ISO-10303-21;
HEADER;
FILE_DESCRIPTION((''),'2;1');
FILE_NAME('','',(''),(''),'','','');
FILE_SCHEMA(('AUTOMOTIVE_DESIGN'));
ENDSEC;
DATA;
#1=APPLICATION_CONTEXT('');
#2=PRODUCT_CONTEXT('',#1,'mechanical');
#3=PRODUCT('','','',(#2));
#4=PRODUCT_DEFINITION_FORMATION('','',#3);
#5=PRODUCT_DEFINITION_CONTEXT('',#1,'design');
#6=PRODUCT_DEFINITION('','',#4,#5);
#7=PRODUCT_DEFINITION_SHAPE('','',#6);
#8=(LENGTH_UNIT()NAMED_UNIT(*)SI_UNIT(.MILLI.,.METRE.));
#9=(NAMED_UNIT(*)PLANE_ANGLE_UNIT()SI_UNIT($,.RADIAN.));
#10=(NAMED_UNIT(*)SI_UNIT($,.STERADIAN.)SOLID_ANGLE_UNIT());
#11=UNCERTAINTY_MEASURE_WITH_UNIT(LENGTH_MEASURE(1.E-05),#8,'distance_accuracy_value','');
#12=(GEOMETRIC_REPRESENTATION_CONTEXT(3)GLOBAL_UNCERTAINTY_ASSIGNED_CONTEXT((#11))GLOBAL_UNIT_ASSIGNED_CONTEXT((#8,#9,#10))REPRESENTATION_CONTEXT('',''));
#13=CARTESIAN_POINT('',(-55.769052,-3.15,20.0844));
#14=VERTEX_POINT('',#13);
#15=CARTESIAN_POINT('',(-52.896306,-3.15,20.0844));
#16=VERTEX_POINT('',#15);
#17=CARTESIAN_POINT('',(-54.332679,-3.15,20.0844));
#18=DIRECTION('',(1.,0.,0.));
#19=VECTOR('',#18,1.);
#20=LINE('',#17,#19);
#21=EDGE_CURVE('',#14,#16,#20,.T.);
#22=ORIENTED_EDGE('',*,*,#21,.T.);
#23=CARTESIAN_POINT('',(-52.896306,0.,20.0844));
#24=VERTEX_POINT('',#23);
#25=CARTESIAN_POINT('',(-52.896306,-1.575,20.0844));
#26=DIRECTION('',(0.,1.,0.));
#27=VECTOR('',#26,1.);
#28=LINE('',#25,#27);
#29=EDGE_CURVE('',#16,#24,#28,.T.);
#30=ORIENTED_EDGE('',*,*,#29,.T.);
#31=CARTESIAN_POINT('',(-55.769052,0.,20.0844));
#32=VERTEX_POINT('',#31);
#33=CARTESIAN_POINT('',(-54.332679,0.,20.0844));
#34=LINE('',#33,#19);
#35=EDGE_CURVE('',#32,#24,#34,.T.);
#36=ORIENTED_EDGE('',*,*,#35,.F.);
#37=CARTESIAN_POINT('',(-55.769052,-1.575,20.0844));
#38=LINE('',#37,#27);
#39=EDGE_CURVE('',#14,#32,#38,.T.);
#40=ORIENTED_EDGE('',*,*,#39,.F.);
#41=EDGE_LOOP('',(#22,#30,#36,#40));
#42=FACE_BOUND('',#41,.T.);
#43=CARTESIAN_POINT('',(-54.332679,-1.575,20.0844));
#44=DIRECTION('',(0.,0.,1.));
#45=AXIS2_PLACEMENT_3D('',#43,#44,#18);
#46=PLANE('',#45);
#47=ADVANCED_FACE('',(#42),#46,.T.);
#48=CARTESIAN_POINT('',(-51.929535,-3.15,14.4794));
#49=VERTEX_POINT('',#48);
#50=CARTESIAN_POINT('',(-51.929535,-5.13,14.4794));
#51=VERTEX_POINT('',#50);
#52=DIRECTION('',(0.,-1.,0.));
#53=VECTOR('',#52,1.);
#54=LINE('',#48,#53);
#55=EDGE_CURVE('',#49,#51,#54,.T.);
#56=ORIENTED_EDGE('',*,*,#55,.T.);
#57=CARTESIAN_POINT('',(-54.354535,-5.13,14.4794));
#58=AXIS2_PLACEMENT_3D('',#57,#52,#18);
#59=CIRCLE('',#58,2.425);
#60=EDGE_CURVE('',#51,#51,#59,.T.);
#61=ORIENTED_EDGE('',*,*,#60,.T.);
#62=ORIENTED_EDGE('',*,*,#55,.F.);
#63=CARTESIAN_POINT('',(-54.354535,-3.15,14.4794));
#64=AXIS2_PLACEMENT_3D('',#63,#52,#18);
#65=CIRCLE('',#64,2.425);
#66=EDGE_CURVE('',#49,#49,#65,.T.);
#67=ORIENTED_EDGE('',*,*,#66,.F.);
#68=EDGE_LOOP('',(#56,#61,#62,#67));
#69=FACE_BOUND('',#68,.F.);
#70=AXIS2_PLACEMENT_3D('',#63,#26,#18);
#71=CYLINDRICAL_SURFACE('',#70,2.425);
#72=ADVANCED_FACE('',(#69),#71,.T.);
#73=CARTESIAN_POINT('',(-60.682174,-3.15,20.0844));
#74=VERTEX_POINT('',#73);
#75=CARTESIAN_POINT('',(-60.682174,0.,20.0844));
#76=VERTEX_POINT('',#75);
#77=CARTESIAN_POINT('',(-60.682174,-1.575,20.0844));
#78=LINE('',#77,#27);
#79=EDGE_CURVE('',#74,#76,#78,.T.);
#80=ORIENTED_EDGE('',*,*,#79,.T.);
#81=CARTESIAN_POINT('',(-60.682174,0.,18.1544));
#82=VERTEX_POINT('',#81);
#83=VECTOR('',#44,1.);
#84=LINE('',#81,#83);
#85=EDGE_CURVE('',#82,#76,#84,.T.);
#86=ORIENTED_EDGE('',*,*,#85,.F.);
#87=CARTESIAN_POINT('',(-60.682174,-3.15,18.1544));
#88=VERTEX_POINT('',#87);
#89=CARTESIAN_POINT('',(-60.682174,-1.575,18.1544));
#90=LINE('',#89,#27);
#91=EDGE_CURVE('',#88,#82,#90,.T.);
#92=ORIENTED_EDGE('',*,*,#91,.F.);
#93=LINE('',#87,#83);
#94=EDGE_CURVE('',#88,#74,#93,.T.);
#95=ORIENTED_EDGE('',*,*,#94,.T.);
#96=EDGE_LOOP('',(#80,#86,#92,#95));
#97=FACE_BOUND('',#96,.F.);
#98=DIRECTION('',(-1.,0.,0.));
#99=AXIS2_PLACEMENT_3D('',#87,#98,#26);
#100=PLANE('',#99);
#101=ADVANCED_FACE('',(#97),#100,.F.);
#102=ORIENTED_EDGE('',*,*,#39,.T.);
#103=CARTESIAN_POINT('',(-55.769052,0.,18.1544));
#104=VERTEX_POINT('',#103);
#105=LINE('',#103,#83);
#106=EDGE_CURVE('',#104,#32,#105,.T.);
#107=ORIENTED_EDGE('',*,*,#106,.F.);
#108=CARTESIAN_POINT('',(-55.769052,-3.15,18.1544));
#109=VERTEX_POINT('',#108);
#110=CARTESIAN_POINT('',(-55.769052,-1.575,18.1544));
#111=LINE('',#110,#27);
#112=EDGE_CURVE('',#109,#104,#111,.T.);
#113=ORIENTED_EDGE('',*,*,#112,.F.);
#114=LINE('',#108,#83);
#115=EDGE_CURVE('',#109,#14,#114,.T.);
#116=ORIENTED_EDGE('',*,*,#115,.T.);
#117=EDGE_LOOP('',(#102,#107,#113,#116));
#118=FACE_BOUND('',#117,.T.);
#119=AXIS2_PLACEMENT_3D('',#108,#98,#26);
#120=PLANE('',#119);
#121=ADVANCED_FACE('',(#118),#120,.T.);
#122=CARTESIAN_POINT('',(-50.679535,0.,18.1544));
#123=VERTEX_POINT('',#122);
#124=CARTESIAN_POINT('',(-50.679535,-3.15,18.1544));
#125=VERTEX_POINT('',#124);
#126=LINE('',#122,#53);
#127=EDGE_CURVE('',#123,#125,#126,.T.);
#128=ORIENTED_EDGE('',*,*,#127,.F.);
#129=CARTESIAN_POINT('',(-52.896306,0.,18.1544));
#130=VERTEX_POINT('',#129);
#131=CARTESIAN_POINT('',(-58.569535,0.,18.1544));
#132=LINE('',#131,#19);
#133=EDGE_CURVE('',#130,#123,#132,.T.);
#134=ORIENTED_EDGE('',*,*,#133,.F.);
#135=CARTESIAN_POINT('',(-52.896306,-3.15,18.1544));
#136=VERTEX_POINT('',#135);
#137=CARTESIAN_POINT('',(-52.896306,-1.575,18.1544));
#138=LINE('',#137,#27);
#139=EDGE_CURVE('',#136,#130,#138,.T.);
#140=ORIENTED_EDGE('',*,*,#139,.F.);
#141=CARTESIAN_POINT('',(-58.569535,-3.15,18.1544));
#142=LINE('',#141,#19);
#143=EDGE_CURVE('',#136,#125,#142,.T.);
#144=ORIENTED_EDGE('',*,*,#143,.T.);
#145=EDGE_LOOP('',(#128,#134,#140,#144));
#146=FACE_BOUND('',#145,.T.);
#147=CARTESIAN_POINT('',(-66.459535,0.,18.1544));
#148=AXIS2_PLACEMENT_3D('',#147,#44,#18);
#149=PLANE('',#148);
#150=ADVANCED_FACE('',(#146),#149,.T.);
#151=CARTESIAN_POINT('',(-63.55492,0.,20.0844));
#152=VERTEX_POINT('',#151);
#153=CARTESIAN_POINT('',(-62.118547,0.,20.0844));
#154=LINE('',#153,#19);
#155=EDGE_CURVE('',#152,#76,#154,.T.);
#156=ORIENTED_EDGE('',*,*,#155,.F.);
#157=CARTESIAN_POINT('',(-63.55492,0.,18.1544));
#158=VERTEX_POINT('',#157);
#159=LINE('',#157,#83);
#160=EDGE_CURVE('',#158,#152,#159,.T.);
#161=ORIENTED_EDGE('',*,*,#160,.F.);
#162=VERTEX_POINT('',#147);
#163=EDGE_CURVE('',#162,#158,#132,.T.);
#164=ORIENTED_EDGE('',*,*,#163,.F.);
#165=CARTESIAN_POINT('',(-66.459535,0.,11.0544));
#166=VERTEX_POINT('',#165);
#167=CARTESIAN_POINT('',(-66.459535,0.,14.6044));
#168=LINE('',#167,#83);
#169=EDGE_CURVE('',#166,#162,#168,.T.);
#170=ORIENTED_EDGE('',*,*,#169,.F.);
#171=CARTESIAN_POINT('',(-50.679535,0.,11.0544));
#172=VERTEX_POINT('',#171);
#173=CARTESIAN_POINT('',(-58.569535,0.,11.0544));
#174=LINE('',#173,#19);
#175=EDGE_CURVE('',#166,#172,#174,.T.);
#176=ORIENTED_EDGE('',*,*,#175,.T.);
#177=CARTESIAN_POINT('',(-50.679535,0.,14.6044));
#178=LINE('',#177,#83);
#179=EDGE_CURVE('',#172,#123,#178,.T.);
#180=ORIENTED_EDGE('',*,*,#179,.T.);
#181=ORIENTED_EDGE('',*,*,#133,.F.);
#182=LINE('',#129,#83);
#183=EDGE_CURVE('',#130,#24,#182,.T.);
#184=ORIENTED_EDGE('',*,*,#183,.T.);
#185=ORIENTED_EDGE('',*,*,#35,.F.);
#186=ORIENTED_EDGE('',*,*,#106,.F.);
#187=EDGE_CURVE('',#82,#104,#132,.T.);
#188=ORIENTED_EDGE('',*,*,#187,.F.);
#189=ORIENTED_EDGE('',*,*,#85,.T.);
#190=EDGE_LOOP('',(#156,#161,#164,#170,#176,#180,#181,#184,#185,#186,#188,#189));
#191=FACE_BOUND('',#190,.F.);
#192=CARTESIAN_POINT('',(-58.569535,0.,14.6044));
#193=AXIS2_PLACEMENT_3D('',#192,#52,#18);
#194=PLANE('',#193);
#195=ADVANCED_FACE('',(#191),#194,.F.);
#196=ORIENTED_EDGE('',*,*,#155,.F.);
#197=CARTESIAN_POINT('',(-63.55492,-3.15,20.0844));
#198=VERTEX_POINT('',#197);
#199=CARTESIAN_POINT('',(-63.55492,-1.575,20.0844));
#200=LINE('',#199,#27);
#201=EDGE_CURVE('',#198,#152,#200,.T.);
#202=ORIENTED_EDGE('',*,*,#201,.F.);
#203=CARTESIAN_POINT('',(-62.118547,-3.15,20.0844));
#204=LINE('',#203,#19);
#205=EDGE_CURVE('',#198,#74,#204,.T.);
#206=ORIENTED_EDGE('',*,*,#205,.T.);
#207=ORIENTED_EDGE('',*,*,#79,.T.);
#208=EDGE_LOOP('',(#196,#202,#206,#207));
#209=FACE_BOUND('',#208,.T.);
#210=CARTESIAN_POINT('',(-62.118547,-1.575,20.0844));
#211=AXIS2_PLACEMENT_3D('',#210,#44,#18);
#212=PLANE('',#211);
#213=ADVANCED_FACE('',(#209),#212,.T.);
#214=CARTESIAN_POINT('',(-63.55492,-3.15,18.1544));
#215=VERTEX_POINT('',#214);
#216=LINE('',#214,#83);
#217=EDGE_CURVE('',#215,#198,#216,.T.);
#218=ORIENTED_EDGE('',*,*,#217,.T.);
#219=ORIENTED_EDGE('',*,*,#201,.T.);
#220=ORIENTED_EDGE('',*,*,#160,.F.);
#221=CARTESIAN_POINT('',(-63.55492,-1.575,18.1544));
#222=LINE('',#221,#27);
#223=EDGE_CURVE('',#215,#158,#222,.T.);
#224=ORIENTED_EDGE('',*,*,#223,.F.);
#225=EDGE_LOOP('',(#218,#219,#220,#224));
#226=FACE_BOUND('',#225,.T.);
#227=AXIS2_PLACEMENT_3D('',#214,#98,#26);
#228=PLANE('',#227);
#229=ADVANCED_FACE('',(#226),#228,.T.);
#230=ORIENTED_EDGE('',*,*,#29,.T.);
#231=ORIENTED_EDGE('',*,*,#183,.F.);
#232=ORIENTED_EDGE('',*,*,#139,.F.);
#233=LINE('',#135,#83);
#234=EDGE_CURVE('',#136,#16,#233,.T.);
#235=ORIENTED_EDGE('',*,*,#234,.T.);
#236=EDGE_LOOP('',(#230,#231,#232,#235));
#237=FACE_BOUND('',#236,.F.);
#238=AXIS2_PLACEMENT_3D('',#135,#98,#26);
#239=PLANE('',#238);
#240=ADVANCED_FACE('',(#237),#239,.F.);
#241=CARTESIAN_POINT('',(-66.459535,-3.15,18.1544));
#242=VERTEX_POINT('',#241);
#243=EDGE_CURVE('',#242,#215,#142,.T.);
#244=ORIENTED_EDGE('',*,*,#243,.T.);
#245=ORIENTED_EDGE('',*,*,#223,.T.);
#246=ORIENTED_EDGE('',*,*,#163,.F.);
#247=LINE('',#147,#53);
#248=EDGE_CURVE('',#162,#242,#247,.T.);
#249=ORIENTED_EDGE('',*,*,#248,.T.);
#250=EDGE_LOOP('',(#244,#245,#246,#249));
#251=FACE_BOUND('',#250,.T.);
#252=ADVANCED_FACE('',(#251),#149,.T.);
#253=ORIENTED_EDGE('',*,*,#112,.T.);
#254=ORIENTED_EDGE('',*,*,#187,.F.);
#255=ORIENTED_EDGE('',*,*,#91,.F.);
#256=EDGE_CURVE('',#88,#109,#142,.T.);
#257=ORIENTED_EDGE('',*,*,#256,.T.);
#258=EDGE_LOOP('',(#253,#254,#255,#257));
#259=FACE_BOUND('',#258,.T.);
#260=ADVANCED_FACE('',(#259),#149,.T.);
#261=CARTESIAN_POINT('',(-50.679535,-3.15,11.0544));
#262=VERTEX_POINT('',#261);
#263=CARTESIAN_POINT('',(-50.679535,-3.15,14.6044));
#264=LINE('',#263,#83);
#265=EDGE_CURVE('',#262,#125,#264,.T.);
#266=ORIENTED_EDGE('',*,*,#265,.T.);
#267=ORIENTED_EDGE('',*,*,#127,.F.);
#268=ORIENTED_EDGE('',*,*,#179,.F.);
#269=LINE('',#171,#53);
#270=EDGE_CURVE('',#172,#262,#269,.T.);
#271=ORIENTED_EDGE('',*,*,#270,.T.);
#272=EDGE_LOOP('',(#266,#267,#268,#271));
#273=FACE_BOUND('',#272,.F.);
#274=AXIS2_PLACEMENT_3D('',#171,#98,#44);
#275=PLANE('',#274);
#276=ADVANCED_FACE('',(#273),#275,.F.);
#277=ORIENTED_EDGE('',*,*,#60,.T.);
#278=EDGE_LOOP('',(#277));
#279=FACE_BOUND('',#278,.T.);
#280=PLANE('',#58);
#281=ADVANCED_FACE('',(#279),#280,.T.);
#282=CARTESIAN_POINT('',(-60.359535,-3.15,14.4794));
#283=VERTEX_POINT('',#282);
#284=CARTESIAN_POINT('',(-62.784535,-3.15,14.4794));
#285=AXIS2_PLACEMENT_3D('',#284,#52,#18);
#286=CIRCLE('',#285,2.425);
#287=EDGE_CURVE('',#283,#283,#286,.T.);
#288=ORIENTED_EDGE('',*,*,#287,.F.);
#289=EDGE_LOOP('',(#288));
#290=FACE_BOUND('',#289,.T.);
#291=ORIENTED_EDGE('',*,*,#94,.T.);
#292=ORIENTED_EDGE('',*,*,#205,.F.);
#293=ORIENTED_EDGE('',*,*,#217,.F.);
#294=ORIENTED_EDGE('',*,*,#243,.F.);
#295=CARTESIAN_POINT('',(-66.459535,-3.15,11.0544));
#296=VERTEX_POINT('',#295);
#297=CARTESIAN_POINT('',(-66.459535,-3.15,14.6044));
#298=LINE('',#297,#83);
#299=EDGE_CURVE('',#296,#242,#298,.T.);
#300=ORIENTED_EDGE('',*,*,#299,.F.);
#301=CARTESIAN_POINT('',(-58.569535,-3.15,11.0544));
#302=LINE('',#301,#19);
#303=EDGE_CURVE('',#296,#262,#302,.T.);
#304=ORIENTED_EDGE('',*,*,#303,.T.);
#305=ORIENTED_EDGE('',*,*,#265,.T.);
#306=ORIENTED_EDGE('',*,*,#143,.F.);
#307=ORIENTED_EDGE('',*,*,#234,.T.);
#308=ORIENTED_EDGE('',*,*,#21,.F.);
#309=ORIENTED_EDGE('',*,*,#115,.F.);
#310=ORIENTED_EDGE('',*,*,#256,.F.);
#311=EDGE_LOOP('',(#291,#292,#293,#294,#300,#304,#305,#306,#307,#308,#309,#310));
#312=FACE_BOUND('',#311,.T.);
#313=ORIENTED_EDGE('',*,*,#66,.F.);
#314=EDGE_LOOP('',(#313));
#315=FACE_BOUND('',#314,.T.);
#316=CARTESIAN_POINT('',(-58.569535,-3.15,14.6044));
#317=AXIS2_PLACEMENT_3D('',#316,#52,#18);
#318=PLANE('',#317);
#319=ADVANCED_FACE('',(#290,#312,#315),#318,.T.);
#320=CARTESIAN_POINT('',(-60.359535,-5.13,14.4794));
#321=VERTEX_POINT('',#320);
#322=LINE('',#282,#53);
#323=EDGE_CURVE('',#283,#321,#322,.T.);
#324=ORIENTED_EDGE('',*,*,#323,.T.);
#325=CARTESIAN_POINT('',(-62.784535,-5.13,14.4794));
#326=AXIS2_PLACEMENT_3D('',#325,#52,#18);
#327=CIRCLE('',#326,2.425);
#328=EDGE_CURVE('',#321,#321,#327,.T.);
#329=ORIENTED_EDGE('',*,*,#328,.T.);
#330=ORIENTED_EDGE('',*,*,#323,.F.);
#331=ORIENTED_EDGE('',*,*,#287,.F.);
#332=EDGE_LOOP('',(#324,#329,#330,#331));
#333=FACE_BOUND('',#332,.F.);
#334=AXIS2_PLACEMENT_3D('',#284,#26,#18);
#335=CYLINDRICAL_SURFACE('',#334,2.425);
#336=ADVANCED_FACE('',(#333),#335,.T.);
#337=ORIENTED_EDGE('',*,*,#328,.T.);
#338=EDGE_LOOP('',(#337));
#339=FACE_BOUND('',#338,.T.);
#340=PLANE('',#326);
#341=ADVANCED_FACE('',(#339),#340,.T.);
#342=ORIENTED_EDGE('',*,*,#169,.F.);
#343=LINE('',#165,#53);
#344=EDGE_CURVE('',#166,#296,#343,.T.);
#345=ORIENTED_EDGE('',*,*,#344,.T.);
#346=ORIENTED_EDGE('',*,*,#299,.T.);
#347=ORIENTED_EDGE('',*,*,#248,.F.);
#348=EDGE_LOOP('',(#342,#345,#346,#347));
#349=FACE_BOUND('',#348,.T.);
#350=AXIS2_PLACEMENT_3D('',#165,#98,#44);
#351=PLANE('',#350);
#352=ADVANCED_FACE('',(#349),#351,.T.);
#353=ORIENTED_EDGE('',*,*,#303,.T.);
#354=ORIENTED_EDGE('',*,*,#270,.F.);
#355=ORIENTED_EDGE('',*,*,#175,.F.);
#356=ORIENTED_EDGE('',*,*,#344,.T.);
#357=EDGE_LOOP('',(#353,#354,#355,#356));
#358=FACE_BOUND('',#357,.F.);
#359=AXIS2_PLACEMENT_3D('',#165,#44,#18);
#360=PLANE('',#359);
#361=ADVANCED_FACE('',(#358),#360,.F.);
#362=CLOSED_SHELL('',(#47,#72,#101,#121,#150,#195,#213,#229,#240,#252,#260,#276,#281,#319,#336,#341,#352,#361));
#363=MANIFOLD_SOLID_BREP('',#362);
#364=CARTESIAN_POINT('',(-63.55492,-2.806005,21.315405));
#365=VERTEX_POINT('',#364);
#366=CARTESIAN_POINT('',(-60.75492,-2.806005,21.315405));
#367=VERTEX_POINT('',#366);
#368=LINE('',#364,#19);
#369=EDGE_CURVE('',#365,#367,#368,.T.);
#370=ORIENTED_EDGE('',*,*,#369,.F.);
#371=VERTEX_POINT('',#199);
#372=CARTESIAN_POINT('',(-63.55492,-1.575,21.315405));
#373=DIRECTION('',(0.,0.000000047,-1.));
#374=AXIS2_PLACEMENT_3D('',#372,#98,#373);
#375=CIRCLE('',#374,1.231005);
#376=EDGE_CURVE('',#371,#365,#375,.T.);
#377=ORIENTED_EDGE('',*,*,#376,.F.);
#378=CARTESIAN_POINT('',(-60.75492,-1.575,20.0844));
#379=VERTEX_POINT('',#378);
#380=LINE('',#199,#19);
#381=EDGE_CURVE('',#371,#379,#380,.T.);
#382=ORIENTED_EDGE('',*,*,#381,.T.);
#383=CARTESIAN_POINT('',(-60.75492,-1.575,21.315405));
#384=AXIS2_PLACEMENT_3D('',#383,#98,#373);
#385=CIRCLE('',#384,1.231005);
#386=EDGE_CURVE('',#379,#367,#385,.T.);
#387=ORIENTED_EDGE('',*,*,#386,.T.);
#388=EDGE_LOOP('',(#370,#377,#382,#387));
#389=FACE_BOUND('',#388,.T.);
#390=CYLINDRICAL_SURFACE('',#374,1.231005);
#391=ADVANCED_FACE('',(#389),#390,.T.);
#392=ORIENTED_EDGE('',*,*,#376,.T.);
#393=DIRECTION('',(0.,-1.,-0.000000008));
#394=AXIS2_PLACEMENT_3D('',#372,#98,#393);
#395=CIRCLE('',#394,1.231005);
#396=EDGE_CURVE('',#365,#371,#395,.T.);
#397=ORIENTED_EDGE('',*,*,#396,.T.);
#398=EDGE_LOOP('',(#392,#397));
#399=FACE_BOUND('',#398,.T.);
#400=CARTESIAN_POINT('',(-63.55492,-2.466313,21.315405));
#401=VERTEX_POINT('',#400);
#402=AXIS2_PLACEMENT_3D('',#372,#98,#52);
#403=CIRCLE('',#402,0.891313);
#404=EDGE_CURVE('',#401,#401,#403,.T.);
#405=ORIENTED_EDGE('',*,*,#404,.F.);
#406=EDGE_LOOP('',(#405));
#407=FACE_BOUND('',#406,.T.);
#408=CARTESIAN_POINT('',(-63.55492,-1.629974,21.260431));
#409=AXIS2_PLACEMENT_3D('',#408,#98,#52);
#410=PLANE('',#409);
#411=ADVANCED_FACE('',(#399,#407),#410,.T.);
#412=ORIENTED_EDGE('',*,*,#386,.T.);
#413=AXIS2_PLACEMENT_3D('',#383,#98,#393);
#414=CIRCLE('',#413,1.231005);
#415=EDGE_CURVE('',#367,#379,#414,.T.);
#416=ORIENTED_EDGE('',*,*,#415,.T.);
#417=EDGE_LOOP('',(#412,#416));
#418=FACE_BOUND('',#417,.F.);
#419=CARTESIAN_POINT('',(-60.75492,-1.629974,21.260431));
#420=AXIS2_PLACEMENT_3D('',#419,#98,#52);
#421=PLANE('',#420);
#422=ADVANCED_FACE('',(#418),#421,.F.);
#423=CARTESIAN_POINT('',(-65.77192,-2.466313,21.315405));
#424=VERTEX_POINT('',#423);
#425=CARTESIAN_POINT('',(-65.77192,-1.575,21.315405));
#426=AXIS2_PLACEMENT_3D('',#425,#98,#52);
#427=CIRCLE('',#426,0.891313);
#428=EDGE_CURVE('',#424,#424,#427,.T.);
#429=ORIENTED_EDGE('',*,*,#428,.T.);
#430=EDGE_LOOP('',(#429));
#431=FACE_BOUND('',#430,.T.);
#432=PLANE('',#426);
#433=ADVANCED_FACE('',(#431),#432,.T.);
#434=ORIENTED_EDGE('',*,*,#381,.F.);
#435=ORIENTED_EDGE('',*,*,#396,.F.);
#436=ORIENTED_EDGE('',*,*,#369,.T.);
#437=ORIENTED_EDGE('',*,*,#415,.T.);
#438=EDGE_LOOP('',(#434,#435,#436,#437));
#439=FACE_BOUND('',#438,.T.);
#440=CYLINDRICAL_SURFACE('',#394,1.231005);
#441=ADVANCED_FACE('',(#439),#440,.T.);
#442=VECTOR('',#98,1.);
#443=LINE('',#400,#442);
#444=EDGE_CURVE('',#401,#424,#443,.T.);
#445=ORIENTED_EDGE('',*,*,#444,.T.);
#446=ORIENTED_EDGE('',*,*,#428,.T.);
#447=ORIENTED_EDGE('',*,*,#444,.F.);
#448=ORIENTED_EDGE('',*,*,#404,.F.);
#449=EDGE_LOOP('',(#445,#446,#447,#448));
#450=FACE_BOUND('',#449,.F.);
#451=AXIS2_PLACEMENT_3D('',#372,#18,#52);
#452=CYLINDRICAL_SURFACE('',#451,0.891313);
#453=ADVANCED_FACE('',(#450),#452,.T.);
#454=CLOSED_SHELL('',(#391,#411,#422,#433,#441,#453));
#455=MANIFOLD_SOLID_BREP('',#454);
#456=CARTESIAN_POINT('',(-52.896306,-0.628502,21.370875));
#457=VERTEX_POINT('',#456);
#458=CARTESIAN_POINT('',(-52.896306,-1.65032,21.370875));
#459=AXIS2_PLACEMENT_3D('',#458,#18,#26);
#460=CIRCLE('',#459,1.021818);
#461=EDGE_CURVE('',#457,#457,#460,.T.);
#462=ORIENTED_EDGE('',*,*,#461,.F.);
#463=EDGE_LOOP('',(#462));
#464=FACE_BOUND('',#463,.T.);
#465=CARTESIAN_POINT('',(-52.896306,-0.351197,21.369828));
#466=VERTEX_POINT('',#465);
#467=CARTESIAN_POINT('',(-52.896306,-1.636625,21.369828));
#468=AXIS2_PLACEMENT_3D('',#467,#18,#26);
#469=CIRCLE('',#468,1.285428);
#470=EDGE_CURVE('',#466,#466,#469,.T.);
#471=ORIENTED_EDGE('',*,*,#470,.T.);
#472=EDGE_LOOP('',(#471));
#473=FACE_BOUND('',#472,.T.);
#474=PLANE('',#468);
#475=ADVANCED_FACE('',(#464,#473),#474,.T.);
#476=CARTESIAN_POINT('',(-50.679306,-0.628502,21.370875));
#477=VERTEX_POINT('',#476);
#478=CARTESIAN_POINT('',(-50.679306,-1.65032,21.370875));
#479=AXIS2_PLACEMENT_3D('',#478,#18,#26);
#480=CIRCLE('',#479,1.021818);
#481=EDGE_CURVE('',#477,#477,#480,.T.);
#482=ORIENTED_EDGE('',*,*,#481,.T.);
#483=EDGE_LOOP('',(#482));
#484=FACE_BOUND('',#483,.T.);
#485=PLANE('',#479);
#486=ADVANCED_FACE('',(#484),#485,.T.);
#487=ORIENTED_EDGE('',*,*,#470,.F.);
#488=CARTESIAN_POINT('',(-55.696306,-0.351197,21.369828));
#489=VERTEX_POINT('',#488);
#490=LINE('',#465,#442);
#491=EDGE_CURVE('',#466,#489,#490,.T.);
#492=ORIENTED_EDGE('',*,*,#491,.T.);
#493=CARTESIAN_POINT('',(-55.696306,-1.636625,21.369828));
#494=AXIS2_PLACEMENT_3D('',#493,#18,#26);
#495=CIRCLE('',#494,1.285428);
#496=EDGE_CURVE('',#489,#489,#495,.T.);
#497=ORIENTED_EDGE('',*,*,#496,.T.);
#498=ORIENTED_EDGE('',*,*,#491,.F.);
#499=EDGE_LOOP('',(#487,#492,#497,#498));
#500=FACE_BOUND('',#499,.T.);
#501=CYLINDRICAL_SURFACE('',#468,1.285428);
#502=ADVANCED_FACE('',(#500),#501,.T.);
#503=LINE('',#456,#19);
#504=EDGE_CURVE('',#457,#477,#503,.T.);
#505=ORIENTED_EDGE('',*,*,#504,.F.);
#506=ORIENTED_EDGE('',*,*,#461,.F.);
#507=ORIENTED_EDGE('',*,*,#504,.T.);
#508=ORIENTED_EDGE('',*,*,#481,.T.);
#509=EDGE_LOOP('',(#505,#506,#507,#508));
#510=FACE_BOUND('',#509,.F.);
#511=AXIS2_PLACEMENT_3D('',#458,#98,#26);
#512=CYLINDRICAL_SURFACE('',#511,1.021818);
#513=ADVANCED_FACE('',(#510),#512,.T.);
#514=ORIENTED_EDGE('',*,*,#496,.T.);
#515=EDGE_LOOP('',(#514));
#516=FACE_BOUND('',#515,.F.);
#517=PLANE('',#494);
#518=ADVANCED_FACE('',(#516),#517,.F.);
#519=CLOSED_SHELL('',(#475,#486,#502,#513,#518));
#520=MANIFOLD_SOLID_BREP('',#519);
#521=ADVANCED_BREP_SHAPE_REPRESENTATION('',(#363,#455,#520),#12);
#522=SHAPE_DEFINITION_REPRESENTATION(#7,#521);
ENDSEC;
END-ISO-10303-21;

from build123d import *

# Parameters (mm, degrees)
F0_W      = 15.78
F0_H      = 7.1
F1_DEPTH  = 3.15
F2_R      = 2.425
F3_DEPTH  = 1.98
F4_W      = 2.872746
F4_H      = 3.15
F5_DEPTH  = 1.93
F6_R      = 1.285428
F7_DEPTH  = 2.8
F10_DEPTH = 2.8
F11_R     = 1.021818
F12_DEPTH = 2.217
F13_R     = 0.891313
F14_DEPTH = 2.217


with BuildPart() as f1:
    # F0 (on Front) → F1 (new body)
    with BuildSketch(Plane.XZ):
        with Locations((-58.569535, 14.6044)):
            Rectangle(F0_W, F0_H)
    extrude(amount=F1_DEPTH)

    # F2 (on face) → F3 (join)
    with BuildSketch(Plane.XZ.offset(3.15)):
        with Locations((-62.784535, 14.4794)):
            Circle(F2_R)
        with Locations((-54.354535, 14.4794)):
            Circle(F2_R)
    extrude(amount=F3_DEPTH)

    # F4 (on face) → F5 (join)
    with BuildSketch(Plane.XY.offset(18.1544)):
        with Locations((-62.118547, -1.575)):
            Rectangle(F4_W, F4_H)
        with Locations((-54.332679, -1.575)):
            Rectangle(F4_W, F4_H)
    extrude(amount=F5_DEPTH)


with BuildPart() as f7:
    # F6 (on face) → F7 (new body)
    with BuildSketch(Plane.YZ.offset(-52.896306)):
        with Locations((-1.636625, 21.369828)):
            Circle(F6_R)
    extrude(amount=-F7_DEPTH)

    # F11 (on face) → F12 (join)
    with BuildSketch(Plane.YZ.offset(-52.896306)):
        with Locations((-1.65032, 21.370875)):
            Circle(F11_R)
    extrude(amount=F12_DEPTH)


with BuildPart() as f10:
    # F9 (on face) → F10 (new body)
    with BuildSketch(Plane(origin=(-63.55492, 0, 0), x_dir=(0, -1, 0), z_dir=(-1, 0, 0))):
        with BuildLine():
            ThreePointArc((1.575, 20.0844), (2.445452, 20.444953), (2.806005, 21.315405))
            ThreePointArc((2.806005, 21.315405), (0.704548, 22.185857), (1.575, 20.0844))
        make_face()
    extrude(amount=-F10_DEPTH)

    # F13 (on face) → F14 (join)
    with BuildSketch(Plane(origin=(-63.55492, 0, 0), x_dir=(0, -1, 0), z_dir=(-1, 0, 0))):
        with Locations((1.575, 21.315405)):
            Circle(F13_R)
    extrude(amount=F14_DEPTH)


solid = Compound([f1.part, f7.part, f10.part])
